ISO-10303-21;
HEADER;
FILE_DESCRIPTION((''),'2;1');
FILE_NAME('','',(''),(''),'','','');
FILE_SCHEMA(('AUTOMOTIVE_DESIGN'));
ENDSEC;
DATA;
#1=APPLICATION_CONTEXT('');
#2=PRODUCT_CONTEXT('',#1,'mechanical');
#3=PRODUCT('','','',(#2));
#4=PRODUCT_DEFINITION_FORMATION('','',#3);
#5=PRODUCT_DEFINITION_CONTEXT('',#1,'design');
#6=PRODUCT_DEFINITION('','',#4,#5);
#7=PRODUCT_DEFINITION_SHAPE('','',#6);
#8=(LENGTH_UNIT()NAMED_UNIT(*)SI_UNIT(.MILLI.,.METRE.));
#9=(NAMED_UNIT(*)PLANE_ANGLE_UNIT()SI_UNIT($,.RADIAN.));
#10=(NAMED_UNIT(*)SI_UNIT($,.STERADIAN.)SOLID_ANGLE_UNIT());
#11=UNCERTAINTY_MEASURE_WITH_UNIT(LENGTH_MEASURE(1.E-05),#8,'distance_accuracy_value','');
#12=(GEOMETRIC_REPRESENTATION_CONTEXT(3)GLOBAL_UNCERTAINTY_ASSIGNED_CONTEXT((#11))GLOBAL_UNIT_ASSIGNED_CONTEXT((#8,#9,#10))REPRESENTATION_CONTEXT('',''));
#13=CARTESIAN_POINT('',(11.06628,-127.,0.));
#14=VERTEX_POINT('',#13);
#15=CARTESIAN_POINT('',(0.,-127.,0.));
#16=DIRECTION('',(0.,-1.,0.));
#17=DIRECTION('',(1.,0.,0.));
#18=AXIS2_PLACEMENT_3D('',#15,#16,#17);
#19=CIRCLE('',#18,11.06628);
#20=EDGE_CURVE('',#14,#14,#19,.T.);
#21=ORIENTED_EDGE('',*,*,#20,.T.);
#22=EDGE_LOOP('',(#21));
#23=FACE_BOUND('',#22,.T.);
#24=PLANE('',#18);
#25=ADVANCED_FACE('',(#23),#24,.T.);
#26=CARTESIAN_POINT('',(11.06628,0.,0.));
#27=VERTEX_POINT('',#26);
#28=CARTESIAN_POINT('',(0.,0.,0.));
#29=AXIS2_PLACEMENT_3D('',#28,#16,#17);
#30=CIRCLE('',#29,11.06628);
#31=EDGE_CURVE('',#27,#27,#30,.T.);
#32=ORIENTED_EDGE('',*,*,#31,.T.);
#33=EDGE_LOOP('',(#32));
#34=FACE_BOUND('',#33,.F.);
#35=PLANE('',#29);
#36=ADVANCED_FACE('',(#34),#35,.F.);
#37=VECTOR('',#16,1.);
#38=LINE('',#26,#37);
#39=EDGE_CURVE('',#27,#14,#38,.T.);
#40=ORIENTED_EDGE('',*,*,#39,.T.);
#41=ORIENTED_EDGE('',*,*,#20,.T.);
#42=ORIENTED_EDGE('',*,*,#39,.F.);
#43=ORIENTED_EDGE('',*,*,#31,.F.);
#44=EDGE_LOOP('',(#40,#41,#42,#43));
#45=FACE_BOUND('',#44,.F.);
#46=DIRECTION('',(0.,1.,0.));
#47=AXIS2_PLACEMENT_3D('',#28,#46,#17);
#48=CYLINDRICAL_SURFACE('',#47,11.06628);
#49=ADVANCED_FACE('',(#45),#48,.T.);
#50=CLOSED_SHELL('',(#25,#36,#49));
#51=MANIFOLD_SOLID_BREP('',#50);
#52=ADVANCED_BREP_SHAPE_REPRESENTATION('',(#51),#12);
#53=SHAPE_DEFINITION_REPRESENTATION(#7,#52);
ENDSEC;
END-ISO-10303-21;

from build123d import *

# Parameters (mm, degrees)
F0_R     = 9.5208183928
F1_DEPTH = 101.6
F3_R     = 11.0662804661
F4_DEPTH = 127


with BuildPart() as f1:
    # F0 (on Front) → F1 (new body)
    with BuildSketch(Plane.XZ):
        Circle(F0_R)
    extrude(amount=F1_DEPTH)


with BuildPart() as f4:
    # F3 (on Front) → F4 (new body)
    with BuildSketch(Plane.XZ):
        Circle(F3_R)
    extrude(amount=F4_DEPTH)


solid = f4.part
